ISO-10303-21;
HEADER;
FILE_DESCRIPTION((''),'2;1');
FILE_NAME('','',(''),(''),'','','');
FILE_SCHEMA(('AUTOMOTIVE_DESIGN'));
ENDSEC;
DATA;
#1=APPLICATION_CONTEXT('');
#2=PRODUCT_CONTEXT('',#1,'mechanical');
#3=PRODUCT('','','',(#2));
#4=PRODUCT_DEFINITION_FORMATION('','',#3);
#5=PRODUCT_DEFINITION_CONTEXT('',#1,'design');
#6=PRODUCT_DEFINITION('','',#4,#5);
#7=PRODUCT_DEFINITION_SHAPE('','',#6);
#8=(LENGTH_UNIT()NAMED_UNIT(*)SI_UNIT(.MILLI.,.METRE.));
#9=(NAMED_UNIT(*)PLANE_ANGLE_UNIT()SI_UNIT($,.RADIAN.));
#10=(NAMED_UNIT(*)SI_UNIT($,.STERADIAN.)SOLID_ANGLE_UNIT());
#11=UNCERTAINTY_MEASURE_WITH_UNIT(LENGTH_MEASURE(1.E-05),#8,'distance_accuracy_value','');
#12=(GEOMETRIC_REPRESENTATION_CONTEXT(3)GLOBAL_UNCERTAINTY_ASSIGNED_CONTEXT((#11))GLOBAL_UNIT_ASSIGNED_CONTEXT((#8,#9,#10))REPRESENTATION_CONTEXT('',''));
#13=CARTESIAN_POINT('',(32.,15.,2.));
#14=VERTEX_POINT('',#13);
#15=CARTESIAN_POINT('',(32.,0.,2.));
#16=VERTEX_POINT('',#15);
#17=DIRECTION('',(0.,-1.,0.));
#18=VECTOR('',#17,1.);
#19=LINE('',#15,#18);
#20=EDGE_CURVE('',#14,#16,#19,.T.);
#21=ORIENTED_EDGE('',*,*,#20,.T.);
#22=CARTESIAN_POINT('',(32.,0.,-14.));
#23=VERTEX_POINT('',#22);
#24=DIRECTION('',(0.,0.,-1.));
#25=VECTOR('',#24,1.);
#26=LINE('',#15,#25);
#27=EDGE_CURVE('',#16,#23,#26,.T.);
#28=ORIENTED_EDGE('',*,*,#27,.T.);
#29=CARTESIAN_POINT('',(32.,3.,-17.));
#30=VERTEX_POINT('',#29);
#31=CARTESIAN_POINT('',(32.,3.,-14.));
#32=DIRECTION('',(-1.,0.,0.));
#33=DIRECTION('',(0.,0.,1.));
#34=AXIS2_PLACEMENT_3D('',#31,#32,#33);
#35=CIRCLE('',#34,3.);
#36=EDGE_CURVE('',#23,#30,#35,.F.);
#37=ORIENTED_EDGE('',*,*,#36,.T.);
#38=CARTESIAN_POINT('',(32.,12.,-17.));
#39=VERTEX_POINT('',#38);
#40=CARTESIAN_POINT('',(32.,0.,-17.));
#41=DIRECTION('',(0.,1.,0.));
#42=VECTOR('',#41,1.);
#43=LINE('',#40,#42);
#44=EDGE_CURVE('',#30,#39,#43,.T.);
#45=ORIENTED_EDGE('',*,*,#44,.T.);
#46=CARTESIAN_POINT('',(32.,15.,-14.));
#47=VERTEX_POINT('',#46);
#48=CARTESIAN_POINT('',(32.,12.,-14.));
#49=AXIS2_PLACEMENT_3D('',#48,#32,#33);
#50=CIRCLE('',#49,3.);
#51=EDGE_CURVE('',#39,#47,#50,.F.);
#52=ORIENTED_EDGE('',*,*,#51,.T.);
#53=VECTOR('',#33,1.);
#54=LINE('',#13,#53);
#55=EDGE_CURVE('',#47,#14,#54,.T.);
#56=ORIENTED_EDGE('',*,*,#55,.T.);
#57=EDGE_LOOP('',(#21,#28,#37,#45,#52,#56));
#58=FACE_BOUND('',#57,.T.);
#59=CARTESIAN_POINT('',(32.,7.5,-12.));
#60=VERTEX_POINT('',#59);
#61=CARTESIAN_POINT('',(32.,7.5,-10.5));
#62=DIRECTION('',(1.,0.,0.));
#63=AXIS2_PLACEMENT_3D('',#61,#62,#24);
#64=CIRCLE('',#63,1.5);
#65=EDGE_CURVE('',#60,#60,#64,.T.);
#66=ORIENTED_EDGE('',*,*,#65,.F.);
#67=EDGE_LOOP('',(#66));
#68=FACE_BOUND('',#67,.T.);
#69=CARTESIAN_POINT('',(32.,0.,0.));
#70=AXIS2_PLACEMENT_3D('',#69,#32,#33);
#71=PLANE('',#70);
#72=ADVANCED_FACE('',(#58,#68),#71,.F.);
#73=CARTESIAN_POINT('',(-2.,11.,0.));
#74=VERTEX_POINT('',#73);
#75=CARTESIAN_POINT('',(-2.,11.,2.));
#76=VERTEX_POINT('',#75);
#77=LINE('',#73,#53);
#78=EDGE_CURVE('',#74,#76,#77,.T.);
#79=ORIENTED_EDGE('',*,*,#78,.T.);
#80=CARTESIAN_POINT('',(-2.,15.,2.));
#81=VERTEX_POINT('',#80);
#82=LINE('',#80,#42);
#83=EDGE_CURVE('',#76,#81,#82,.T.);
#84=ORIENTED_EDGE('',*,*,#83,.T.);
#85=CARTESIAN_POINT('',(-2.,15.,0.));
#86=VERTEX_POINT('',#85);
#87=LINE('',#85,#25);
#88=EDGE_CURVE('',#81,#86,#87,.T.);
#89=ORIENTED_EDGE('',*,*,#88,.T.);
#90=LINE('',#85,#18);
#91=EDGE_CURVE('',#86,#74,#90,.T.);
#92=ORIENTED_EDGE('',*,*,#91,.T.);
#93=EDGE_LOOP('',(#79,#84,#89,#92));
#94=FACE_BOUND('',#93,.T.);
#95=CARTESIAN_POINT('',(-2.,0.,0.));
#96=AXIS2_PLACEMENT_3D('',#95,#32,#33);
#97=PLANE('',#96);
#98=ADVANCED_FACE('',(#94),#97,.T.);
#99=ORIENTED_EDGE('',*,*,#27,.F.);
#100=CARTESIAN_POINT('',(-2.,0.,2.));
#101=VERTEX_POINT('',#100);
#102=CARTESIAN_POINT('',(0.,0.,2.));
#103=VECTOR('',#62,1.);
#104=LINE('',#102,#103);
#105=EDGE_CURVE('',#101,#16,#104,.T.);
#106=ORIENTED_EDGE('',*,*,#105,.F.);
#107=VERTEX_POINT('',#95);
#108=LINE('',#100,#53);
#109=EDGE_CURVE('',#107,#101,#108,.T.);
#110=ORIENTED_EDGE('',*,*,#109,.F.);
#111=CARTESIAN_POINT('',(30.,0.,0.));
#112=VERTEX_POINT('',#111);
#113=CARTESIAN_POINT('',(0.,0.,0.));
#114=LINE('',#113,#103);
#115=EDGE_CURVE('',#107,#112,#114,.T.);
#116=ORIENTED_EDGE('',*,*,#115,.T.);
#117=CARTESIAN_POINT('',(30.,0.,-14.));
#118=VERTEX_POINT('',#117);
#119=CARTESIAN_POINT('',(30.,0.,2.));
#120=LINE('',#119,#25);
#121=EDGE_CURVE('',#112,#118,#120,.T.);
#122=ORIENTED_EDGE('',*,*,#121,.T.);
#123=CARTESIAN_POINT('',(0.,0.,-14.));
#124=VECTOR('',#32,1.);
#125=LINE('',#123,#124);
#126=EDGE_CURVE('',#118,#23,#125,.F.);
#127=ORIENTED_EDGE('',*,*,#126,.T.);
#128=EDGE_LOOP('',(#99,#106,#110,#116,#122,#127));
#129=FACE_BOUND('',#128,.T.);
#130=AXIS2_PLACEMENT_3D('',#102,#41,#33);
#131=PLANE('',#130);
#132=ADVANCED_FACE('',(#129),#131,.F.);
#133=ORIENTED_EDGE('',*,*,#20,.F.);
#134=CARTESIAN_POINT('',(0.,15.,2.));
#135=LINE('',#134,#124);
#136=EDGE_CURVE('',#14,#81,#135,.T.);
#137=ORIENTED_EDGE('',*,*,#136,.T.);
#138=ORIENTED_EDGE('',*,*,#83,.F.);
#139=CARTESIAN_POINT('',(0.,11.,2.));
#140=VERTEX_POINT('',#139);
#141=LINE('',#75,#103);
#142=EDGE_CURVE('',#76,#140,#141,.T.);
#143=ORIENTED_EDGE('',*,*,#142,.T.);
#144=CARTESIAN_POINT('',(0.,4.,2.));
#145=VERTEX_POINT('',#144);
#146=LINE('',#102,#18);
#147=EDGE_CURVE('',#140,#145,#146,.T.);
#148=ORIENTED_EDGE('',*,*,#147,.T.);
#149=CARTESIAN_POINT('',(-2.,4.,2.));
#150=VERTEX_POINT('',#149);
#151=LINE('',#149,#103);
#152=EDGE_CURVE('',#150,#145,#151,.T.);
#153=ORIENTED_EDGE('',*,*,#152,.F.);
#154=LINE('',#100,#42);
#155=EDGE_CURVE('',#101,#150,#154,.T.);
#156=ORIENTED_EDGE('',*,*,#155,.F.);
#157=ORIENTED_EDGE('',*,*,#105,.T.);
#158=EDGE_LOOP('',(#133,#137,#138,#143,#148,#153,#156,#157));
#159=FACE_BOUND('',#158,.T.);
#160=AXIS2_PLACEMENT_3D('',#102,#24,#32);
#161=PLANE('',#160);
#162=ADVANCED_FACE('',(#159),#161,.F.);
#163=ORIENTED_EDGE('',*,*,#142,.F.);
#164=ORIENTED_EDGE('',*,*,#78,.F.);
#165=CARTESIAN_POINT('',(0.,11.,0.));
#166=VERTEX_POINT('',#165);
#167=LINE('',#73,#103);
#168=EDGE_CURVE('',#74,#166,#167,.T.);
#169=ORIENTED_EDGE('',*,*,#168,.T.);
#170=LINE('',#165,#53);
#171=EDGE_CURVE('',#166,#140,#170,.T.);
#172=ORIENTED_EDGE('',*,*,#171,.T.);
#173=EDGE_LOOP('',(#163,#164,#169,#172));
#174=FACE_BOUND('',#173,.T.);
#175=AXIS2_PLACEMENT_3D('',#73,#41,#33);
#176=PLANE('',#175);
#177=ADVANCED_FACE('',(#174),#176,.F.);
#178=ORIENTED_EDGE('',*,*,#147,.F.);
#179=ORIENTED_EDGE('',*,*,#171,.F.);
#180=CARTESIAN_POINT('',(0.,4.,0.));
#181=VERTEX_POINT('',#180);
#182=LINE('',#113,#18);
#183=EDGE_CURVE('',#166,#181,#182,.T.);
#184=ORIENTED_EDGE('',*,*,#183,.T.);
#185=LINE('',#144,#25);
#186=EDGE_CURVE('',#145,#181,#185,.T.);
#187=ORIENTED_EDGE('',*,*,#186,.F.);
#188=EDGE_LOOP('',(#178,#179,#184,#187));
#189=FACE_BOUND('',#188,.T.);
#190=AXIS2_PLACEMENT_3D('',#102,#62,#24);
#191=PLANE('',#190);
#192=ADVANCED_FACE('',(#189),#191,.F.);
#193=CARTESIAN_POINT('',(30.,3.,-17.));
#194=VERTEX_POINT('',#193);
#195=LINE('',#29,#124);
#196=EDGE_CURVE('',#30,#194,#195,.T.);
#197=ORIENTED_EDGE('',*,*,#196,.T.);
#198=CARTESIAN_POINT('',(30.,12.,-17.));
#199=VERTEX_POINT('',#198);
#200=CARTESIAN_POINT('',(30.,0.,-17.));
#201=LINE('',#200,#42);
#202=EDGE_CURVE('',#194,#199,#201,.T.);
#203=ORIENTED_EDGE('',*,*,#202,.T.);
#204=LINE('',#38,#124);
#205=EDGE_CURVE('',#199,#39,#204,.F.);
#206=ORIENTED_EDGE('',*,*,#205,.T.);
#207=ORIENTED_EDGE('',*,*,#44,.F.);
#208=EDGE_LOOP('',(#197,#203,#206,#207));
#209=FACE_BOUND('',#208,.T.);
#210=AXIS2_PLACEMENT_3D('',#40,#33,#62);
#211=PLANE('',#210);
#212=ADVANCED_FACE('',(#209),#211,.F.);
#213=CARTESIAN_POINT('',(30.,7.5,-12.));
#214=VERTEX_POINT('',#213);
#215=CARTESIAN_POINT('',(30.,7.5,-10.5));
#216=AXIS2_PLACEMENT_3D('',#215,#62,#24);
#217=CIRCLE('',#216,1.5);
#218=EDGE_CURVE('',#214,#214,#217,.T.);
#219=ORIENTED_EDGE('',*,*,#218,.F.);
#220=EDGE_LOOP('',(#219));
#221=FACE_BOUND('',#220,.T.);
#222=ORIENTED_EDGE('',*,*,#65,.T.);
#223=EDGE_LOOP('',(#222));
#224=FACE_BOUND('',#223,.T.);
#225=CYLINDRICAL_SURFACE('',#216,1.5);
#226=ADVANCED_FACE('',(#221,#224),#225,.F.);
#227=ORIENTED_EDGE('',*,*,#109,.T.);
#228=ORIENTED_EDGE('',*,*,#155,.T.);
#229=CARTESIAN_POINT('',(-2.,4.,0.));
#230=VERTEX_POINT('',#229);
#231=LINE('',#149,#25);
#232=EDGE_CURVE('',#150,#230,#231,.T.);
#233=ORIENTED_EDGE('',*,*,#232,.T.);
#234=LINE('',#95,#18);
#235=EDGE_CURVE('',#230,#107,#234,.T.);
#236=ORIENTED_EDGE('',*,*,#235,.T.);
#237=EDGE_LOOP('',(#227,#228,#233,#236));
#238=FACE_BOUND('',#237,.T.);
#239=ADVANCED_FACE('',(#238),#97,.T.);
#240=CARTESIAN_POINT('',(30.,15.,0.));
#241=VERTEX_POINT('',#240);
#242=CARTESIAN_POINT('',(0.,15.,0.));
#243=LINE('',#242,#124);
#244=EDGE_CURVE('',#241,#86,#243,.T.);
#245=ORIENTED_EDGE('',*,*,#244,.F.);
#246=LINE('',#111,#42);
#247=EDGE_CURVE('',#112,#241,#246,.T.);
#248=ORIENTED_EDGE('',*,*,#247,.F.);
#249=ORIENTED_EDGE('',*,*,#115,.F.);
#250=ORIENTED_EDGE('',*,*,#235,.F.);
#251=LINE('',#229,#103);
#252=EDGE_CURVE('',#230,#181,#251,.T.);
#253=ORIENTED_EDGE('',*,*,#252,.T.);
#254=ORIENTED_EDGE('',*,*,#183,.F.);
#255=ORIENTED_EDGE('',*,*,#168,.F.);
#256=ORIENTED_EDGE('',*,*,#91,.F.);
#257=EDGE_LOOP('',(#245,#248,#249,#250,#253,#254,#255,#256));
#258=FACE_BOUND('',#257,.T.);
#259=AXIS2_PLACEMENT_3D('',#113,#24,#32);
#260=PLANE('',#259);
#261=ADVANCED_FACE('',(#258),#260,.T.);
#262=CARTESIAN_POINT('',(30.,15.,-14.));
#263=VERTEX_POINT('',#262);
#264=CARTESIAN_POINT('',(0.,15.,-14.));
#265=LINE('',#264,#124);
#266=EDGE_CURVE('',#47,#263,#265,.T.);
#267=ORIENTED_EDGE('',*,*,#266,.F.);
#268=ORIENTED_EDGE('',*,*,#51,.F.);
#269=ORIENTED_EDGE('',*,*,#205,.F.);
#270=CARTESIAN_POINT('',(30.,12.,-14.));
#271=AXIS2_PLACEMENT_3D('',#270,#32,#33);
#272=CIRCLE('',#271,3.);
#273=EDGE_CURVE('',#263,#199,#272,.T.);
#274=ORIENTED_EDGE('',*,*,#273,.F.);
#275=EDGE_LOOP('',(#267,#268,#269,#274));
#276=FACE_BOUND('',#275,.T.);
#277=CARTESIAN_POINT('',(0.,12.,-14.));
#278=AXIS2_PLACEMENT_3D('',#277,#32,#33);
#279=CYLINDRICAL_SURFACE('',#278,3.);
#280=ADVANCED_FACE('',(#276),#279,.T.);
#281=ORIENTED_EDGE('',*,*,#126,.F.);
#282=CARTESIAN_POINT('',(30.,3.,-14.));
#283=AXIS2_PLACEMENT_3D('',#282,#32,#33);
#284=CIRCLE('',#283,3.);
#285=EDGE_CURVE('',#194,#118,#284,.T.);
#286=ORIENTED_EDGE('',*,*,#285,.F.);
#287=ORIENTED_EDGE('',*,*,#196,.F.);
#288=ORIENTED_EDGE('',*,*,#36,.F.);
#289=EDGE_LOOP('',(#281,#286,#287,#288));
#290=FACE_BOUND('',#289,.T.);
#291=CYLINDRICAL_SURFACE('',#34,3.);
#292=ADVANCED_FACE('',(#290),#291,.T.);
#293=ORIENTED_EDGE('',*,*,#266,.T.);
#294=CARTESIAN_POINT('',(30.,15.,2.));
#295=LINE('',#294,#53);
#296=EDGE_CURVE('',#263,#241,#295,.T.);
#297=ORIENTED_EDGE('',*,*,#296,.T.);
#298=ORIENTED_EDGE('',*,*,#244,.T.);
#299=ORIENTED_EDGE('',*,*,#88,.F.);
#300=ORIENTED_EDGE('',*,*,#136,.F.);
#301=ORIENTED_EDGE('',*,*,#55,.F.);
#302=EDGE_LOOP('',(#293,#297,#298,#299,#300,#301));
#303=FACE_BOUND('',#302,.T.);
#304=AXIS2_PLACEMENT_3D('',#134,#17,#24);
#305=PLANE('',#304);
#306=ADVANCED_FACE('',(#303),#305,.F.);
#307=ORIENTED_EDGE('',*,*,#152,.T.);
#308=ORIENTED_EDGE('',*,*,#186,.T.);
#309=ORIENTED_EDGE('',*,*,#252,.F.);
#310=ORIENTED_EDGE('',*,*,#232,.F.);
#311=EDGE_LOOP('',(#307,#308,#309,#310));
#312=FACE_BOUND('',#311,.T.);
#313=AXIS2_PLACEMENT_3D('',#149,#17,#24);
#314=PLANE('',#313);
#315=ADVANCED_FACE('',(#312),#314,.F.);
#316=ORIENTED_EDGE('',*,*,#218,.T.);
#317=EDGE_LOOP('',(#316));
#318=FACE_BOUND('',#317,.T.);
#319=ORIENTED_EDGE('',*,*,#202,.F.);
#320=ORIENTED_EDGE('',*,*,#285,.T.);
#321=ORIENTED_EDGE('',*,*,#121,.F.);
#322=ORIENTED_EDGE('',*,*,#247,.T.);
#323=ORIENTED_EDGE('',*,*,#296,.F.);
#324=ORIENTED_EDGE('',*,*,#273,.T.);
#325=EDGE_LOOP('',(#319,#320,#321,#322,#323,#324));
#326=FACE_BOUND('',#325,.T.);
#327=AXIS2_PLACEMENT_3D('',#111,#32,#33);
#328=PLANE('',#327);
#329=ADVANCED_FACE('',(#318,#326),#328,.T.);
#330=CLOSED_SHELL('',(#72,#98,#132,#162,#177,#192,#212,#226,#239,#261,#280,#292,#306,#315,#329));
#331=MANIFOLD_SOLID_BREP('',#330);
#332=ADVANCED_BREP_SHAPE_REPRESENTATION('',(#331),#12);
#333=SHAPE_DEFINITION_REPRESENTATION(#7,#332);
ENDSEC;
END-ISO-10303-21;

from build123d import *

# Parameters (mm, degrees)
SKETCH1_W           = 30
SKETCH1_H           = 15
BOSS_EXTRUDE1_DEPTH = 2
SKETCH2_W           = 19
SKETCH2_H           = 15
BOSS_EXTRUDE2_DEPTH = 2
SKETCH3_R           = 1.5
CUT_EXTRUDE1_DEPTH  = 2
FILLET1_R           = 3
SKETCH4_W           = 2
SKETCH4_H           = 4
BOSS_EXTRUDE3_DEPTH = 2


with BuildPart() as part:
    # Sketch1 → Boss-Extrude1 (new body)
    with BuildSketch(Plane.XY):
        with Locations((15, 7.5)):
            Rectangle(SKETCH1_W, SKETCH1_H)
    extrude(amount=BOSS_EXTRUDE1_DEPTH)

    # Sketch2 → Boss-Extrude2 (add)
    with BuildSketch(Plane(origin=(30, 0, 0), x_dir=(0, 0, -1), z_dir=(1, 0, 0))):
        with Locations((7.5, 7.5)):
            Rectangle(SKETCH2_W, SKETCH2_H)
    extrude(amount=BOSS_EXTRUDE2_DEPTH)

    # Sketch3 → Cut-Extrude1 (cut)
    with BuildSketch(Plane(origin=(32, 0, 0), x_dir=(0, 0, -1), z_dir=(1, 0, 0))):
        with Locations((10.5, 7.5)):
            Circle(SKETCH3_R)
    extrude(amount=-CUT_EXTRUDE1_DEPTH, mode=Mode.SUBTRACT)

    # Fillet1
    fillet1_edges = [part.edges().sort_by_distance(p)[0] for p in [
        (31, 0, -17),
        (31, 15, -17),
    ]]
    fillet(fillet1_edges, radius=FILLET1_R)

    # Sketch4 → Boss-Extrude3 (add)
    with BuildSketch(Plane.ZY):
        with Locations((1, 13)):
            Rectangle(SKETCH4_W, SKETCH4_H)
        with Locations((1, 2)):
            Rectangle(SKETCH4_W, SKETCH4_H)
    extrude(amount=BOSS_EXTRUDE3_DEPTH)


solid = part.part
